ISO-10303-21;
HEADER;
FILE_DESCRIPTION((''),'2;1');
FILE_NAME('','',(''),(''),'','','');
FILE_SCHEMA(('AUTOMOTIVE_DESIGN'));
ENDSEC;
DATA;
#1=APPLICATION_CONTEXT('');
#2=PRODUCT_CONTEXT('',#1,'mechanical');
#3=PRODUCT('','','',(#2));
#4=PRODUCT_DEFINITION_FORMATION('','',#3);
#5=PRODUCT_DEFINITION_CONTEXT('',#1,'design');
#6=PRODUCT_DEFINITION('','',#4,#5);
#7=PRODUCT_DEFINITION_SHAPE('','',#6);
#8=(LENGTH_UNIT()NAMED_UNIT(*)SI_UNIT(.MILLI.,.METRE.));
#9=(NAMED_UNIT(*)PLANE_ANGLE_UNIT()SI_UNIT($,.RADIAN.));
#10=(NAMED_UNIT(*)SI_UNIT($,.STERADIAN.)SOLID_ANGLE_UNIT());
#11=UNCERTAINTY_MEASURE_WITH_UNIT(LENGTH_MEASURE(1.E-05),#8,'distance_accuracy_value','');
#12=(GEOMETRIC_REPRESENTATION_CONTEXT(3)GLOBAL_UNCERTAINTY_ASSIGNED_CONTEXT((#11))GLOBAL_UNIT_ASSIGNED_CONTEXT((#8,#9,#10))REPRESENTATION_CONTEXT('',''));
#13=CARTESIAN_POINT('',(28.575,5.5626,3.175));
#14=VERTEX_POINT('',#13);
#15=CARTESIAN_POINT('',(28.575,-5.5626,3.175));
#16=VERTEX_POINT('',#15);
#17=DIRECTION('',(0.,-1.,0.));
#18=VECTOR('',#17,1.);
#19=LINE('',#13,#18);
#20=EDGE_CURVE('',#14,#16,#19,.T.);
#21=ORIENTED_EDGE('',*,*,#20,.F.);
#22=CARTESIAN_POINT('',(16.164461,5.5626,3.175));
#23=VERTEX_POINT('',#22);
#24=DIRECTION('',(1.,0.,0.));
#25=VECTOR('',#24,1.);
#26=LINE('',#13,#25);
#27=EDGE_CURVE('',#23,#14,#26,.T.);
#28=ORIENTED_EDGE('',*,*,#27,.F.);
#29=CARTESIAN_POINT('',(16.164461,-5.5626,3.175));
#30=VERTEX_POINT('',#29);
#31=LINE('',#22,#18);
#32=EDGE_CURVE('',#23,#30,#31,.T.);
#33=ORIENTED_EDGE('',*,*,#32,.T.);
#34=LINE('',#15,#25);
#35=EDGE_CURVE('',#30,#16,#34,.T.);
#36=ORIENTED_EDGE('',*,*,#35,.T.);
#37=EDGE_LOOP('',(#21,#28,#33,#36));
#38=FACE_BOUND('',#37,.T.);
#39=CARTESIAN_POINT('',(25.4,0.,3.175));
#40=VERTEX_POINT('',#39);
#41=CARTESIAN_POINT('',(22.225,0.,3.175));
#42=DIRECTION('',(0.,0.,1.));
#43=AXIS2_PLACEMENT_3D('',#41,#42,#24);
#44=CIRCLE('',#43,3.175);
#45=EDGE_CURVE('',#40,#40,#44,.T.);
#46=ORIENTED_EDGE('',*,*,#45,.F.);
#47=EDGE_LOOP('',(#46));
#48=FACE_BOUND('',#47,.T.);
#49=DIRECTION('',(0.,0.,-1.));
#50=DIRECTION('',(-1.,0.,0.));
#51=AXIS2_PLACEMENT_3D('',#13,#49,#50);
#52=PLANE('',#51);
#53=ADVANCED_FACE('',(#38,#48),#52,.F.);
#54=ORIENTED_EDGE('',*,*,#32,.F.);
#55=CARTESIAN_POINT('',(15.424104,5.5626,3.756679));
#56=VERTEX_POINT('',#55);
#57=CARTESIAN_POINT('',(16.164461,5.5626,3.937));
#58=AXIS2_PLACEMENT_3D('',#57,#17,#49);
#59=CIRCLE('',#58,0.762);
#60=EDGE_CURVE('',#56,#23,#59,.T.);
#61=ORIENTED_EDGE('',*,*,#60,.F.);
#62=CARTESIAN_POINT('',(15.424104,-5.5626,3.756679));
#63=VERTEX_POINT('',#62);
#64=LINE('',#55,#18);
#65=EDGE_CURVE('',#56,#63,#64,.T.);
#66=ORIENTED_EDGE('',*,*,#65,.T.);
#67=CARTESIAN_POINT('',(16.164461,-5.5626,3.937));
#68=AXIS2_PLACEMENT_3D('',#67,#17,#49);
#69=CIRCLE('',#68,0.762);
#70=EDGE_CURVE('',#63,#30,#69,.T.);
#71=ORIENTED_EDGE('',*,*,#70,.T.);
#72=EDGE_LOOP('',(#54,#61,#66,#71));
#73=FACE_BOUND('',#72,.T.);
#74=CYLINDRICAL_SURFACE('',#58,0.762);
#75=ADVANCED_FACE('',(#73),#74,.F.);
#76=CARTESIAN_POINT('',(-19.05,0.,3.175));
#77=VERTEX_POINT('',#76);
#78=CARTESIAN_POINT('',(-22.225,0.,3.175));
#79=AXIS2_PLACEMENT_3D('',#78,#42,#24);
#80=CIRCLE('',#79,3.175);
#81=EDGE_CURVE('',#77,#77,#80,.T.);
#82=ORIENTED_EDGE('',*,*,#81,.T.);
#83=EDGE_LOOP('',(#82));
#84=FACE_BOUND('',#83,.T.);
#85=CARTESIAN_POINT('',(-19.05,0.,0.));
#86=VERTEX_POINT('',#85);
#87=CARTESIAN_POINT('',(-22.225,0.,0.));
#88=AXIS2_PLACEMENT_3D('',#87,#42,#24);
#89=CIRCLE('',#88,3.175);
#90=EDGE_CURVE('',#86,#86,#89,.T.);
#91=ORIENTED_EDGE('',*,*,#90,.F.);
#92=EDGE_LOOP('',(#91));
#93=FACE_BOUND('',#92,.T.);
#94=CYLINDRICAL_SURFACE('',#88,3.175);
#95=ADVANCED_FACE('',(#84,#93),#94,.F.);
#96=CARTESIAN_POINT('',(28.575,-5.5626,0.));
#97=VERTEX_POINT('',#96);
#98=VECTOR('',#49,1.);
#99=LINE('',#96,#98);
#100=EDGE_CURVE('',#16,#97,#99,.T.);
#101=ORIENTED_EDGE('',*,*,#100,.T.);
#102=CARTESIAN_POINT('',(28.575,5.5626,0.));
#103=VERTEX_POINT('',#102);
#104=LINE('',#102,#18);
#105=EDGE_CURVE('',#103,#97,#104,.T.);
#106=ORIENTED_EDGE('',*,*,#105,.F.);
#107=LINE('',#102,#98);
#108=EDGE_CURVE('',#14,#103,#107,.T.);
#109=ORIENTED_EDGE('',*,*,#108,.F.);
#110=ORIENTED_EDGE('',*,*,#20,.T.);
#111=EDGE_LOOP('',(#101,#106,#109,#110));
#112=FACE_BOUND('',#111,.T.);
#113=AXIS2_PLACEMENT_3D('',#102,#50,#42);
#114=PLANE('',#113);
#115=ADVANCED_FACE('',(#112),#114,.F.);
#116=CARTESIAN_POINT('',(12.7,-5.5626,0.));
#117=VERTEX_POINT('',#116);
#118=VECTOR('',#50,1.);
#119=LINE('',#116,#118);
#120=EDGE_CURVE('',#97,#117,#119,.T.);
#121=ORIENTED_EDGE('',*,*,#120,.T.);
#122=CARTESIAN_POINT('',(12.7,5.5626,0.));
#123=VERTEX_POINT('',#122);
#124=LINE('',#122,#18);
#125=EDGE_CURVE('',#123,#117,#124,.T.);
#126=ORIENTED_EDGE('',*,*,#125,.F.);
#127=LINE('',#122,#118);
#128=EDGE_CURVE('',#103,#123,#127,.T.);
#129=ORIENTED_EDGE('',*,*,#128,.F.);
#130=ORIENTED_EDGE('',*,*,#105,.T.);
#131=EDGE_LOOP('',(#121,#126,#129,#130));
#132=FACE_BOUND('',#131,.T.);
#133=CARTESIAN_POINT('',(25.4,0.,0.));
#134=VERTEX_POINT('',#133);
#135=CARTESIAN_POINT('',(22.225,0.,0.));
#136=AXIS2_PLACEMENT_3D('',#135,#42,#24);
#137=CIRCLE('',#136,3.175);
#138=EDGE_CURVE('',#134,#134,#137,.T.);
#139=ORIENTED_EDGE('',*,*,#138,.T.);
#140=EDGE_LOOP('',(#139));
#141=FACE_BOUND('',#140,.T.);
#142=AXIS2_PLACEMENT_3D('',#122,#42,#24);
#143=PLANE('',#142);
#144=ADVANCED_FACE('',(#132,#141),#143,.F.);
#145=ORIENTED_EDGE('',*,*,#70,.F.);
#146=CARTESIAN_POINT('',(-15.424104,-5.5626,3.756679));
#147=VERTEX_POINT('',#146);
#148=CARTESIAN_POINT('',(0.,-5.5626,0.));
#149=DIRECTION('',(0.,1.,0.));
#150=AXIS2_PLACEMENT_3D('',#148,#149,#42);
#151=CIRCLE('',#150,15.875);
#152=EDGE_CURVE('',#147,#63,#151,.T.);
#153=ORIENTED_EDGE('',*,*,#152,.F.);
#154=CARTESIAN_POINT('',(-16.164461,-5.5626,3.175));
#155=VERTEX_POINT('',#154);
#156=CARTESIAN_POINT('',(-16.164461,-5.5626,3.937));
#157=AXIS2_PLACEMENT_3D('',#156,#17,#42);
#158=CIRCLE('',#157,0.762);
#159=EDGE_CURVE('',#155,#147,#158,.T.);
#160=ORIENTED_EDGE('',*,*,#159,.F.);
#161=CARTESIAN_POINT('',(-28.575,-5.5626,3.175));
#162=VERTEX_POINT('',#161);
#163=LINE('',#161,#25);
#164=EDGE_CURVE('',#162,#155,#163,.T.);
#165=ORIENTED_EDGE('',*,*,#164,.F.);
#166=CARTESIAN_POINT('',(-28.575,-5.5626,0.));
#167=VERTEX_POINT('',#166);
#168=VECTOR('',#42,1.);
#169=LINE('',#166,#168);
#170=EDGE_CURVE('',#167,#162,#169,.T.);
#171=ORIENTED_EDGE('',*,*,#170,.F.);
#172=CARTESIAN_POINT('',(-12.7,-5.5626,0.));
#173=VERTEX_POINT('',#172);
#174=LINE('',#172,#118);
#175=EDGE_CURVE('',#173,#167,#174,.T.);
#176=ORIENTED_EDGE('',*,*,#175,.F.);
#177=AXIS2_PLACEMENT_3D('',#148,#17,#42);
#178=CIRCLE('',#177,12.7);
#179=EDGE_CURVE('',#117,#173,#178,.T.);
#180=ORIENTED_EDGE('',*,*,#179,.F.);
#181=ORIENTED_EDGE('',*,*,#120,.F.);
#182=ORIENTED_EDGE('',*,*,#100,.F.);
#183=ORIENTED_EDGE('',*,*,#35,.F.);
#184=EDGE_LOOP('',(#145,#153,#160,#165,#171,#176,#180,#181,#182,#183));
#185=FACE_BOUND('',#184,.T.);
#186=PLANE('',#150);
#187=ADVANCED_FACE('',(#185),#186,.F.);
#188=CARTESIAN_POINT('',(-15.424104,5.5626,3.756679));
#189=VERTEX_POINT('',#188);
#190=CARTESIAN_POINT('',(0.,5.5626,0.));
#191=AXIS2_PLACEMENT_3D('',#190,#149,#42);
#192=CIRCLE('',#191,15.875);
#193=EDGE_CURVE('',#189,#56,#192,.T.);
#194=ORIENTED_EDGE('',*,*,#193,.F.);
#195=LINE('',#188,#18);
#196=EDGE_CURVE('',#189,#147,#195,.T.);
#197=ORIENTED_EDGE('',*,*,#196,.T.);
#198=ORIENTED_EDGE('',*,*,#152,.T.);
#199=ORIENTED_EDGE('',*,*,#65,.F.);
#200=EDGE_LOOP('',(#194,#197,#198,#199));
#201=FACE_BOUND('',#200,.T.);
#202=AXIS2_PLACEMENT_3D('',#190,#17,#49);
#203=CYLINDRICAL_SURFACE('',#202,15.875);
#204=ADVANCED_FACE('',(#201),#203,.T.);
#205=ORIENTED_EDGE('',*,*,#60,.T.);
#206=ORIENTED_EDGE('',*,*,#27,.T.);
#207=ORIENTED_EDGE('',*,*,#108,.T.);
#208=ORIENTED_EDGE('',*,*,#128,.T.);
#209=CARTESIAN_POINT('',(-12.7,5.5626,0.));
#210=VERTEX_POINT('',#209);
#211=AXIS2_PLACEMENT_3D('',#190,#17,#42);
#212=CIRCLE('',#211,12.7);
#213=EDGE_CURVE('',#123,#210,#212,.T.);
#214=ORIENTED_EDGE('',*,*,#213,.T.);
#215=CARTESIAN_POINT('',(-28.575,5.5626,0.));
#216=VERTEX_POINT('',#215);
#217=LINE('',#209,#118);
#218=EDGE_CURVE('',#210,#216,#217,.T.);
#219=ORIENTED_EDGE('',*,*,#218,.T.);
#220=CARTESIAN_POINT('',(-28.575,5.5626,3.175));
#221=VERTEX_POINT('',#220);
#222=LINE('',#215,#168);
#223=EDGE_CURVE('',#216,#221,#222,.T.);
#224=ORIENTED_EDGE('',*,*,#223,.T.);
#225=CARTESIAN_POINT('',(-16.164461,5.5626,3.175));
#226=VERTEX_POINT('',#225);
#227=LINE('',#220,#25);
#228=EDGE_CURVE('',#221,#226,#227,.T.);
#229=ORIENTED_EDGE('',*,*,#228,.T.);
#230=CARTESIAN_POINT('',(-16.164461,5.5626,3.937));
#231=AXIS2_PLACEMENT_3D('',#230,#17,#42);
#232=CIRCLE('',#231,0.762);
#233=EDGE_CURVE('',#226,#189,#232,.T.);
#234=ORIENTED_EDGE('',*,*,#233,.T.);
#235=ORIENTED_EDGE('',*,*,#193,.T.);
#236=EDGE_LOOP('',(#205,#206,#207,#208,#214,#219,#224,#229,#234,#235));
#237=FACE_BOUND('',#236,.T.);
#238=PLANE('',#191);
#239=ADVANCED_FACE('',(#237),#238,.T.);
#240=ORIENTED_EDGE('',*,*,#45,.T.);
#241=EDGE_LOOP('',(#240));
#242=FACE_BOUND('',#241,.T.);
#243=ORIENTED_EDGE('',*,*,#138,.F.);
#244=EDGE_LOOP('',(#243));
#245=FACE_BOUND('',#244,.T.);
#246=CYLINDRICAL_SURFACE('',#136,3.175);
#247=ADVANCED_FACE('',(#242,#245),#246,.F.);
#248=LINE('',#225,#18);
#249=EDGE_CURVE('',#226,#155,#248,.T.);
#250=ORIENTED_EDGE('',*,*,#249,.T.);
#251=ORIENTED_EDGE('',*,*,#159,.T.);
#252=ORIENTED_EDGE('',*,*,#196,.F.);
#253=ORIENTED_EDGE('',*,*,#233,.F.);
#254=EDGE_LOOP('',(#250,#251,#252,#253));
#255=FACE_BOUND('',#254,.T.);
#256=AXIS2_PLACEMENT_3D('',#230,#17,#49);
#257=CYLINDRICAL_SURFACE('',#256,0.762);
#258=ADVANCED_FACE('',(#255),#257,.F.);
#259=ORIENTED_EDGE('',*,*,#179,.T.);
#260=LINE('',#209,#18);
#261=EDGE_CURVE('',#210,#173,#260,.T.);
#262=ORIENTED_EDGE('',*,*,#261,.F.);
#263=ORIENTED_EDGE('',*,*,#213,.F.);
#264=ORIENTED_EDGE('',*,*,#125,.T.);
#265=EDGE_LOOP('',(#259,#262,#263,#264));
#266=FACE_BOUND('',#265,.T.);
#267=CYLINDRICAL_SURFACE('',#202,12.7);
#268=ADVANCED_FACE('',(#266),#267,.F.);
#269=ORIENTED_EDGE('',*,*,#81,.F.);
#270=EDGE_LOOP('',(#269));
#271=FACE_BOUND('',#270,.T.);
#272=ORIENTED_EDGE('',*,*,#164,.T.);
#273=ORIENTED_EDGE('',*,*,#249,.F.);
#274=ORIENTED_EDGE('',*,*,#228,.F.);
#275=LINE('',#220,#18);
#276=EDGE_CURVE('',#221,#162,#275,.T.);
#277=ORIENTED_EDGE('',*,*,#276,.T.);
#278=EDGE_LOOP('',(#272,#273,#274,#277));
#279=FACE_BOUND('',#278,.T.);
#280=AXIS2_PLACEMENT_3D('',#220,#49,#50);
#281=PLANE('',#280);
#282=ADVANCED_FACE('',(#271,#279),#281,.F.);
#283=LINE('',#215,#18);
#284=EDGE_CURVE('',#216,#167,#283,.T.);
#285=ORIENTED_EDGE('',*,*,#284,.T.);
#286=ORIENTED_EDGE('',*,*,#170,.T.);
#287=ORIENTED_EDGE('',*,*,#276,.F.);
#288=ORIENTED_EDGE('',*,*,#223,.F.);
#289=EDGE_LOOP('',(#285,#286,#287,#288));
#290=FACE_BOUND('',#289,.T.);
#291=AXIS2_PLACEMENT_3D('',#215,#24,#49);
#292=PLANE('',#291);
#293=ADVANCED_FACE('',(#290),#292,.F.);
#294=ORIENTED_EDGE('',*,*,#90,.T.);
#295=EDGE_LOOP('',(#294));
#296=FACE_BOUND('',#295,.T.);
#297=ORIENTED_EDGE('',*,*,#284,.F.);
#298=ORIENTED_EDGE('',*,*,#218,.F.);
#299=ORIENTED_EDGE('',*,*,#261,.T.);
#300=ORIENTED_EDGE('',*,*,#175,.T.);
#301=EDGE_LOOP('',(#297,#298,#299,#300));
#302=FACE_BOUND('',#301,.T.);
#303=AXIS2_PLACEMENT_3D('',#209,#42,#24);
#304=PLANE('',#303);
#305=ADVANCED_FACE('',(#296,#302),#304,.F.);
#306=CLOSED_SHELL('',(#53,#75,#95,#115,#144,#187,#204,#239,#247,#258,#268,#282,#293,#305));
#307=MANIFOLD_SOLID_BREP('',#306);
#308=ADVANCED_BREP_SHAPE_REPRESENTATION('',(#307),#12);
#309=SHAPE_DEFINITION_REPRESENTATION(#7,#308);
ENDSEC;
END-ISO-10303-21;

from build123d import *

# Parameters (mm, degrees)
BOSS_EXTRUDE1_DEPTH = 5.5626
SKETCH2_R           = 3.175
CUT_EXTRUDE1_DEPTH  = 32.761031843


with BuildPart() as part:
    # Sketch1 → Boss-Extrude1 (new, symmetric)
    with BuildSketch(Plane(origin=(0, 0, 0), x_dir=(1, 0, 0), z_dir=(0, 1, 0))):
        with BuildLine():
            Line((-12.7, 0), (-28.575, 0))
            Line((-28.575, 0), (-28.575, -3.175))
            Line((-28.575, -3.175), (-16.164461018, -3.175))
            ThreePointArc((-16.164461018, -3.175), (-15.693695846, -3.337813758), (-15.424104025, -3.756679389))
            ThreePointArc((-15.424104025, -3.756679389), (0, -15.875), (15.424104025, -3.756679389))
            ThreePointArc((15.424104025, -3.756679389), (15.693695846, -3.337813758), (16.164461018, -3.175))
            Line((16.164461018, -3.175), (28.575, -3.175))
            Line((28.575, -3.175), (28.575, 0))
            Line((28.575, 0), (12.7, 0))
            ThreePointArc((12.7, 0), (0, -12.7), (-12.7, 0))
        make_face()
    extrude(amount=BOSS_EXTRUDE1_DEPTH, both=True)

    # Sketch2 → Cut-Extrude1 (cut, through all)
    with BuildSketch(Plane.XY.offset(3.175)):
        with Locations((-22.225, 0)):
            Circle(SKETCH2_R)
        with Locations((22.225, 0)):
            Circle(SKETCH2_R)
    extrude(amount=-CUT_EXTRUDE1_DEPTH, mode=Mode.SUBTRACT)


solid = part.part
